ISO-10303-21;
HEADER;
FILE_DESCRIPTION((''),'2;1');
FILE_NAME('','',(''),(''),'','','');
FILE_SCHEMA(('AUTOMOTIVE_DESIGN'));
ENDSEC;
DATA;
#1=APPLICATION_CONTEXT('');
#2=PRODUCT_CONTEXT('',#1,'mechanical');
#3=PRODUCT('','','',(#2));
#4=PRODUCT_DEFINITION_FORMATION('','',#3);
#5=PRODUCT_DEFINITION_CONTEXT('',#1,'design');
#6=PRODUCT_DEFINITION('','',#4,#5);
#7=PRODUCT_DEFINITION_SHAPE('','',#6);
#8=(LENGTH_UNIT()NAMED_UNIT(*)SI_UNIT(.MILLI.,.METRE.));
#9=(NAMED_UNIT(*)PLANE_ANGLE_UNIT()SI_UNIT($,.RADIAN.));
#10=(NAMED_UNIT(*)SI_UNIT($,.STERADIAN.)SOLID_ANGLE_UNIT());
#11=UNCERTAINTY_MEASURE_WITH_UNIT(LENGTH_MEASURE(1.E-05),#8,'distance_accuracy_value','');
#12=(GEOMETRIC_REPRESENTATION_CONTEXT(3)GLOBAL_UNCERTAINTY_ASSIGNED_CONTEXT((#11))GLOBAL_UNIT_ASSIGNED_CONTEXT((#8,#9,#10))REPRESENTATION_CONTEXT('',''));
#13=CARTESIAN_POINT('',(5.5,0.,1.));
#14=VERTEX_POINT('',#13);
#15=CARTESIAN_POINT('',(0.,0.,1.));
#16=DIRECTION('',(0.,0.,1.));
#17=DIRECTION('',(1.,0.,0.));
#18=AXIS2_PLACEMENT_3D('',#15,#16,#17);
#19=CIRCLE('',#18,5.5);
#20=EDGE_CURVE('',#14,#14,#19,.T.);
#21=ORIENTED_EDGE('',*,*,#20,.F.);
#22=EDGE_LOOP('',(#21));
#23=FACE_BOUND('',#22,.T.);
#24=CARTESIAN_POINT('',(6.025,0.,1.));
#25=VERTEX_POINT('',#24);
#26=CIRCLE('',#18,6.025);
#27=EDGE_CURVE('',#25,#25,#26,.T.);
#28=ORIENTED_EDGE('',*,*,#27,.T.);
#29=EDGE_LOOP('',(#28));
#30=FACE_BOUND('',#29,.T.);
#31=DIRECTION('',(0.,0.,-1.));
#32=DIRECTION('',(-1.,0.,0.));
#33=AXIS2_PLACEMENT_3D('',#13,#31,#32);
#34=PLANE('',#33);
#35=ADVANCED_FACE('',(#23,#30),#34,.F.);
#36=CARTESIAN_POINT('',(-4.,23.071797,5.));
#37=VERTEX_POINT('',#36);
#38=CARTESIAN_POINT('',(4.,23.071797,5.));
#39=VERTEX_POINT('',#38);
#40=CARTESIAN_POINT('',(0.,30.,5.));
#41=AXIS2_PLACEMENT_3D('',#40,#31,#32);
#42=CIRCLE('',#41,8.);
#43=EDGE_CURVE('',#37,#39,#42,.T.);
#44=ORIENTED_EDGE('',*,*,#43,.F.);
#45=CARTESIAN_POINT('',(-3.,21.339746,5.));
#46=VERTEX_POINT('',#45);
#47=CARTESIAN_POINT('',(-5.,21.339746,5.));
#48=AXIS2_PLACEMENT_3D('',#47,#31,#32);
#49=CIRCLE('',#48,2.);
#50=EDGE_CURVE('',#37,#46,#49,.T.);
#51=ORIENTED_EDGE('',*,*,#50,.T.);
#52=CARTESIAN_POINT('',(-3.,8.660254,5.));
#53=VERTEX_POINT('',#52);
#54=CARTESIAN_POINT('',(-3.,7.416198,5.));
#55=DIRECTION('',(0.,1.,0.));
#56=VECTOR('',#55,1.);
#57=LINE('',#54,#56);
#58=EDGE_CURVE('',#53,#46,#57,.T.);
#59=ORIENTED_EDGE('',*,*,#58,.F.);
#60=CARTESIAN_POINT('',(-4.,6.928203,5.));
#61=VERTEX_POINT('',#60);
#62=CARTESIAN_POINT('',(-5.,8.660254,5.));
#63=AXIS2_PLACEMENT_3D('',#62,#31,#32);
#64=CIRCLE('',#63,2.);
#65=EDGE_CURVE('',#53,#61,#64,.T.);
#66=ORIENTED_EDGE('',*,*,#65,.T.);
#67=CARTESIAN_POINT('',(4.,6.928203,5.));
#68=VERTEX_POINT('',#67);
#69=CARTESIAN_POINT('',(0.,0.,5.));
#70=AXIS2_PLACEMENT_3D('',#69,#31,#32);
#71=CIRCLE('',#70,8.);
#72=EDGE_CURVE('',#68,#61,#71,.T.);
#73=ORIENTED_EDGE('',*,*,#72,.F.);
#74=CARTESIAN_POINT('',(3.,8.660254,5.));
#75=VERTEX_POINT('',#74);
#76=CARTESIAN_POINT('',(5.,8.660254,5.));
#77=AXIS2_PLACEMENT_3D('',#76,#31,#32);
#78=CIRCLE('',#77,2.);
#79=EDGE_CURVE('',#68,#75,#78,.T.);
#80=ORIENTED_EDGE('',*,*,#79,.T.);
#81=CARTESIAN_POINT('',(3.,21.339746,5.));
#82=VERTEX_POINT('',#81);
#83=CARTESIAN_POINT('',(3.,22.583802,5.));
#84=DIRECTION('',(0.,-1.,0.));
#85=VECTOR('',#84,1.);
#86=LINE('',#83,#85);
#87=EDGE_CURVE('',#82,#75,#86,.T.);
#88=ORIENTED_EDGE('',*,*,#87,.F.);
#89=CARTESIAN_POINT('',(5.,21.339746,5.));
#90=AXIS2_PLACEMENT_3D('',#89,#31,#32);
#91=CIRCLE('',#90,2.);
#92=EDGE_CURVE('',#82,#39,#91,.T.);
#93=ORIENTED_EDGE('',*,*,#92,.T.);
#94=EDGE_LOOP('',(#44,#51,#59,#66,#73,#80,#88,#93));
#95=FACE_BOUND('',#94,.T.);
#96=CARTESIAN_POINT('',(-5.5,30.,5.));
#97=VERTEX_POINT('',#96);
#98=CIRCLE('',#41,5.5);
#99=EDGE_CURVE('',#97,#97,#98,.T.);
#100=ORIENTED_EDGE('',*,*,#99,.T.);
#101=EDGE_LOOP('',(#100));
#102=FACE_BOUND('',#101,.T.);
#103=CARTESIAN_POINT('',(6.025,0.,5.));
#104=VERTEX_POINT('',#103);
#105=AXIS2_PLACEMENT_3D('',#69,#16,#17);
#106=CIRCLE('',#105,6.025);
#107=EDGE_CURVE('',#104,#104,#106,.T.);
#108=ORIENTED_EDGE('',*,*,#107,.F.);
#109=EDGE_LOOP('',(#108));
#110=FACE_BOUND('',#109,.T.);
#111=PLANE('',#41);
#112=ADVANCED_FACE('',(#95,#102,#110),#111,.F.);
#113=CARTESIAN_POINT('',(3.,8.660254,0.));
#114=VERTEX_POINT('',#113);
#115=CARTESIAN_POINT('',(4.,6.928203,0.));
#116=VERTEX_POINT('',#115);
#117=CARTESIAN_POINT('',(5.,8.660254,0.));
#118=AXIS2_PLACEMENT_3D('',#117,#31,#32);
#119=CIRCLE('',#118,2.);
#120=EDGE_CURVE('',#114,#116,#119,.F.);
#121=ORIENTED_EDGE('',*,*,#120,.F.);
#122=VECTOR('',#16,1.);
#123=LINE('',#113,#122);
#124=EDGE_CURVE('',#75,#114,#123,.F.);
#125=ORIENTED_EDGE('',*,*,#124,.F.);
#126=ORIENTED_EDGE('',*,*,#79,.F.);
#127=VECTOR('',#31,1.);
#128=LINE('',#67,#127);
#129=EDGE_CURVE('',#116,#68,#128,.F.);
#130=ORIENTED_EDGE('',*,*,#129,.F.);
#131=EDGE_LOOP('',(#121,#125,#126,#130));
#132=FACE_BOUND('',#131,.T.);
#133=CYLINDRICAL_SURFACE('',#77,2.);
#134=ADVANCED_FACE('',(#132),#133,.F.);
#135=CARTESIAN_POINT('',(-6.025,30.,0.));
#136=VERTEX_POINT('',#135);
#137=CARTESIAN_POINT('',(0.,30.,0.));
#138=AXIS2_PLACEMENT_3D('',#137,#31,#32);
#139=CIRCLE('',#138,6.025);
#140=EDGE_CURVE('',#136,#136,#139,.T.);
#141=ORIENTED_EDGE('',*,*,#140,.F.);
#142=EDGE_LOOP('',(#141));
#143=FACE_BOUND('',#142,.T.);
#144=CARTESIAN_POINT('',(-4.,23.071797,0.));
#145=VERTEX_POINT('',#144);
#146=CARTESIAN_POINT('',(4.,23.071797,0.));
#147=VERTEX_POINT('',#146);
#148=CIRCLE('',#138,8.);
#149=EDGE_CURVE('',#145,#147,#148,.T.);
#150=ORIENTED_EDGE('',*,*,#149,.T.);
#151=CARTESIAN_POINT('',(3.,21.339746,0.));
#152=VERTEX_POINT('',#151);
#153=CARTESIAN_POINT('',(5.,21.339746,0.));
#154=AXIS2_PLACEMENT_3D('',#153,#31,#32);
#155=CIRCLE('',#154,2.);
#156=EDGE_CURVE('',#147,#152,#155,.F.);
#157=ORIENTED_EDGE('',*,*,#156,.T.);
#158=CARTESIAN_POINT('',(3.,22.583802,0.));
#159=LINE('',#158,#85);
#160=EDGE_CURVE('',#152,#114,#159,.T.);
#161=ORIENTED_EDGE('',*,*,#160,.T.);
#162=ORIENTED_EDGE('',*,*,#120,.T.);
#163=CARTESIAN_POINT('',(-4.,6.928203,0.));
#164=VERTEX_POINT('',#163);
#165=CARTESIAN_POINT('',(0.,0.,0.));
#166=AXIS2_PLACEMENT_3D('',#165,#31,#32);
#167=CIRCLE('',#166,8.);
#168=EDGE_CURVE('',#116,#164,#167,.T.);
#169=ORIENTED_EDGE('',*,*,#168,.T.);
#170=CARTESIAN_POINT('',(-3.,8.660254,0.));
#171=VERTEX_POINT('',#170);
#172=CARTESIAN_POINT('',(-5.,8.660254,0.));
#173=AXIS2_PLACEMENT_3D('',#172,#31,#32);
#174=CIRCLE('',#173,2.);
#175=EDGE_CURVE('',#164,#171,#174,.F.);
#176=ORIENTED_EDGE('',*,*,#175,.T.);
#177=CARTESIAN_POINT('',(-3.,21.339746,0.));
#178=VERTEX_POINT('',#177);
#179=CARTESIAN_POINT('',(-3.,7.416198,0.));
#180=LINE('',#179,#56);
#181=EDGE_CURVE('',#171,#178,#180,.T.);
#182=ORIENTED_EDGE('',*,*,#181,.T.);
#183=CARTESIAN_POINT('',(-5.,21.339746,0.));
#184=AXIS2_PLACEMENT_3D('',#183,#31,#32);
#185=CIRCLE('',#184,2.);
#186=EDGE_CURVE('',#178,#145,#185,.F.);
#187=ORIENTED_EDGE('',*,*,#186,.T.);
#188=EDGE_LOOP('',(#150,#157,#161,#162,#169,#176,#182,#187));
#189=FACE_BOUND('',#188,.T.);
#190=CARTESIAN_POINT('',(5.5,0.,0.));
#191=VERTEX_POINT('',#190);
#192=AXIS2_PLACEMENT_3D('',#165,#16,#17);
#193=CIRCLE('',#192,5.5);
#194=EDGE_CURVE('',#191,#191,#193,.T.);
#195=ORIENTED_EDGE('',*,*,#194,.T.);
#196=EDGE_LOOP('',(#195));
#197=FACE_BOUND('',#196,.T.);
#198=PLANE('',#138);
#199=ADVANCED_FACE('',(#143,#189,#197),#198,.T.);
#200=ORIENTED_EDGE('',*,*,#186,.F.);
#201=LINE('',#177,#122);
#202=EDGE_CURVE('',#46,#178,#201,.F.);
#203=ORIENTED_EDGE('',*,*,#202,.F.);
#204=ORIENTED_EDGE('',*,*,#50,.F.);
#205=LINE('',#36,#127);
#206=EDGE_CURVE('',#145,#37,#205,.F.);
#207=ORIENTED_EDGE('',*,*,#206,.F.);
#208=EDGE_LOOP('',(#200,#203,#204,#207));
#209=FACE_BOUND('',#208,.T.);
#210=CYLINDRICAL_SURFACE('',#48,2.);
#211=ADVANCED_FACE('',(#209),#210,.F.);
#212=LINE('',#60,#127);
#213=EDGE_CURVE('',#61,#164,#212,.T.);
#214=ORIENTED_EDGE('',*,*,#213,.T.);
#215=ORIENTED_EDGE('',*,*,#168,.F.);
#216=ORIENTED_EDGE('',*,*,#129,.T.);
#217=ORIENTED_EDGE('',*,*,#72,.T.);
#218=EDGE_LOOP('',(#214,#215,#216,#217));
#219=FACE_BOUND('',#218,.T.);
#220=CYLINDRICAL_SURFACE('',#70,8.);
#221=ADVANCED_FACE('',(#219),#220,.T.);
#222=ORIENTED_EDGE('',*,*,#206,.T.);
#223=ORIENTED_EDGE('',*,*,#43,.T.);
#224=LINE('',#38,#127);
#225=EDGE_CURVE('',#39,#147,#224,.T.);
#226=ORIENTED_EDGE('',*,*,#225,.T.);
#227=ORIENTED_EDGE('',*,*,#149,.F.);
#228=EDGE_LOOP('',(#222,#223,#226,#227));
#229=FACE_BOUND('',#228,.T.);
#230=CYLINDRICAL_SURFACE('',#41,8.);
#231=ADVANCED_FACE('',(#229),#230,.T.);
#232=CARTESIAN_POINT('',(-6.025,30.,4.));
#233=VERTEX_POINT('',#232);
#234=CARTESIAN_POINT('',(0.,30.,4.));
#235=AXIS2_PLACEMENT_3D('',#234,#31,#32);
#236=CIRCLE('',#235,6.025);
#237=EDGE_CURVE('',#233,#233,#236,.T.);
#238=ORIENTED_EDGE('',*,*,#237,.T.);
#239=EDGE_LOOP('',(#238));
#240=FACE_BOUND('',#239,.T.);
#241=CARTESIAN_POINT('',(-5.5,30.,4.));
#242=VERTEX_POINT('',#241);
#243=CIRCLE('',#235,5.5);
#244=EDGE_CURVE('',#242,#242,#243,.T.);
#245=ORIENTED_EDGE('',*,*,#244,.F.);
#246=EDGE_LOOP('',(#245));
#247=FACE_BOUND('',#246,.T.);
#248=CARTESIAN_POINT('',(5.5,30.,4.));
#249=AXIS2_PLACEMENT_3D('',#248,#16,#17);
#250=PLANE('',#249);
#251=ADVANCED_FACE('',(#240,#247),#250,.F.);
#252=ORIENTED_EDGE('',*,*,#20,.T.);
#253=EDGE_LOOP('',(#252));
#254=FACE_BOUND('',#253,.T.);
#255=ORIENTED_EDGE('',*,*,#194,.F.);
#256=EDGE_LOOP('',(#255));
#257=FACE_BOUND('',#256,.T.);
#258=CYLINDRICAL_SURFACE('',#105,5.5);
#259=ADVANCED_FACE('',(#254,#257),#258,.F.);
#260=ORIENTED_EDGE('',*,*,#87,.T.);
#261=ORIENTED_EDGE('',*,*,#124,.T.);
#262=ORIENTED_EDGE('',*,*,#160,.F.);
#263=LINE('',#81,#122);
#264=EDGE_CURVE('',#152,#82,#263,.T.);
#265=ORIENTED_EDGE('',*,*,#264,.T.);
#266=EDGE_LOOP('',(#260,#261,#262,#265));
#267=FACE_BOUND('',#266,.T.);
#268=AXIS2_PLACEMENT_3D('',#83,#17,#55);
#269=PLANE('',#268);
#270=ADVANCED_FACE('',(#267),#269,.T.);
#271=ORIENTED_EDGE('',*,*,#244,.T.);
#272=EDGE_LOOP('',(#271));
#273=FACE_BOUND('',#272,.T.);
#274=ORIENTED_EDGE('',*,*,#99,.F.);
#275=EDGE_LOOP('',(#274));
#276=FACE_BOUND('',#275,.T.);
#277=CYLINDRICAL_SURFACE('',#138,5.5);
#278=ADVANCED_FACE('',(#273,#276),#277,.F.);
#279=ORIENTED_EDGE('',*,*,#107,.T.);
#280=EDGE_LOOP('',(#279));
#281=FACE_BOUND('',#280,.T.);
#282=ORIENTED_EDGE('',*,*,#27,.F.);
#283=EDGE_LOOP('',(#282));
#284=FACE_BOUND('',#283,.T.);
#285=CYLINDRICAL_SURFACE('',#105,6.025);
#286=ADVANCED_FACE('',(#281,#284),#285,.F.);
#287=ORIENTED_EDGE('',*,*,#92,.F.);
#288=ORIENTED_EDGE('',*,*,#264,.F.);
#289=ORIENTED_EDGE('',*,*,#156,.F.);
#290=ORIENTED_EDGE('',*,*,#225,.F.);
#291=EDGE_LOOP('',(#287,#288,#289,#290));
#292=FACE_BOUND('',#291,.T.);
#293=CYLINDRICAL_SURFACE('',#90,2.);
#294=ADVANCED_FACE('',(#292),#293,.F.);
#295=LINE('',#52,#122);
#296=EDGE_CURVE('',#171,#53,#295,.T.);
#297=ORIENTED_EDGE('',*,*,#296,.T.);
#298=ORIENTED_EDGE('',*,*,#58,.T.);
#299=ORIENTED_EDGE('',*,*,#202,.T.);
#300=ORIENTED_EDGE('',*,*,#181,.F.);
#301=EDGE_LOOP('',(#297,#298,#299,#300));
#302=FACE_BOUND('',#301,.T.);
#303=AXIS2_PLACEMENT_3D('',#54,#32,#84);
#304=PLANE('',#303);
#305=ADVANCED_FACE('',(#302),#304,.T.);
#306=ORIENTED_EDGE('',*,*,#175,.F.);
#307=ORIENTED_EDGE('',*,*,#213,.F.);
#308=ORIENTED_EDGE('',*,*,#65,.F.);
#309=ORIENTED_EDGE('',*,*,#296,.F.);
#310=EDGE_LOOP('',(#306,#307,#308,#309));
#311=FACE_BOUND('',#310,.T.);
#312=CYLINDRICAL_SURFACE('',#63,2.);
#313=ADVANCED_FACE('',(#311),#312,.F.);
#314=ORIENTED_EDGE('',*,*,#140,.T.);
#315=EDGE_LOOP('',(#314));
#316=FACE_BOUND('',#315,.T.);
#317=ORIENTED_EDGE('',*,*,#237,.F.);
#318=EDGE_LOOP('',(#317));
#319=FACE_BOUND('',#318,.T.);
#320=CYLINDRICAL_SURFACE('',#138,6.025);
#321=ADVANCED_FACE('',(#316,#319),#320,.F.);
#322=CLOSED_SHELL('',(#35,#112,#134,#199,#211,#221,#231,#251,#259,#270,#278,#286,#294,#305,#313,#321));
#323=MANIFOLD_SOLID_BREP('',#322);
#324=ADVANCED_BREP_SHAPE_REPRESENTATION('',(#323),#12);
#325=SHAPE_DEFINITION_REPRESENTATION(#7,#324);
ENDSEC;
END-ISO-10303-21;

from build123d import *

# Parameters (mm, degrees)
EXTRUDE_1_DEPTH               = 5
HOLE_WIZARD_M10_1_D           = 11
HOLE_WIZARD_M10_1_CBORE_D     = 12.05
HOLE_WIZARD_M10_1_CBORE_DEPTH = 4
HOLE_WIZARD_M10_2_D           = 11
HOLE_WIZARD_M10_2_CBORE_D     = 12.05
HOLE_WIZARD_M10_2_CBORE_DEPTH = 4
FILLET_1_R                    = 2


with BuildPart() as part:
    # 草图1 → 凸台-拉伸1 (new body)
    with BuildSketch(Plane(origin=(0, 0, 0), x_dir=(-1, 0, 0), z_dir=(0, 0, -1))):
        with BuildLine():
            Line((-3, 22.583801513), (-3, 7.416198487))
            ThreePointArc((-3, 7.416198487), (0, -8), (3, 7.416198487))
            Line((3, 7.416198487), (3, 22.583801513))
            ThreePointArc((3, 22.583801513), (0, 38), (-3, 22.583801513))
        make_face()
    extrude(amount=-EXTRUDE_1_DEPTH)

    # M10 六角头螺栓的柱形沉头孔1 (through all)
    with Locations(Plane(origin=(0, 0, 0), x_dir=(-1, 0, 0), z_dir=(0, 0, -1))):
        with Locations((0, 30)):
            CounterBoreHole(HOLE_WIZARD_M10_1_D / 2, HOLE_WIZARD_M10_1_CBORE_D / 2, HOLE_WIZARD_M10_1_CBORE_DEPTH)

    # M10 六角头螺栓的柱形沉头孔2 (through all)
    with Locations(Plane.XY.offset(5)):
        with Locations((0, 0)):
            CounterBoreHole(HOLE_WIZARD_M10_2_D / 2, HOLE_WIZARD_M10_2_CBORE_D / 2, HOLE_WIZARD_M10_2_CBORE_DEPTH)

    # 圆角1
    fillet_1_edges = [part.edges().sort_by_distance(p)[0] for p in [
        (-3, 22.583801513, 2.5),
        (-3, 7.416198487, 2.5),
        (3, 7.416198487, 2.5),
        (3, 22.583801513, 2.5),
    ]]
    fillet(fillet_1_edges, radius=FILLET_1_R)


solid = part.part
